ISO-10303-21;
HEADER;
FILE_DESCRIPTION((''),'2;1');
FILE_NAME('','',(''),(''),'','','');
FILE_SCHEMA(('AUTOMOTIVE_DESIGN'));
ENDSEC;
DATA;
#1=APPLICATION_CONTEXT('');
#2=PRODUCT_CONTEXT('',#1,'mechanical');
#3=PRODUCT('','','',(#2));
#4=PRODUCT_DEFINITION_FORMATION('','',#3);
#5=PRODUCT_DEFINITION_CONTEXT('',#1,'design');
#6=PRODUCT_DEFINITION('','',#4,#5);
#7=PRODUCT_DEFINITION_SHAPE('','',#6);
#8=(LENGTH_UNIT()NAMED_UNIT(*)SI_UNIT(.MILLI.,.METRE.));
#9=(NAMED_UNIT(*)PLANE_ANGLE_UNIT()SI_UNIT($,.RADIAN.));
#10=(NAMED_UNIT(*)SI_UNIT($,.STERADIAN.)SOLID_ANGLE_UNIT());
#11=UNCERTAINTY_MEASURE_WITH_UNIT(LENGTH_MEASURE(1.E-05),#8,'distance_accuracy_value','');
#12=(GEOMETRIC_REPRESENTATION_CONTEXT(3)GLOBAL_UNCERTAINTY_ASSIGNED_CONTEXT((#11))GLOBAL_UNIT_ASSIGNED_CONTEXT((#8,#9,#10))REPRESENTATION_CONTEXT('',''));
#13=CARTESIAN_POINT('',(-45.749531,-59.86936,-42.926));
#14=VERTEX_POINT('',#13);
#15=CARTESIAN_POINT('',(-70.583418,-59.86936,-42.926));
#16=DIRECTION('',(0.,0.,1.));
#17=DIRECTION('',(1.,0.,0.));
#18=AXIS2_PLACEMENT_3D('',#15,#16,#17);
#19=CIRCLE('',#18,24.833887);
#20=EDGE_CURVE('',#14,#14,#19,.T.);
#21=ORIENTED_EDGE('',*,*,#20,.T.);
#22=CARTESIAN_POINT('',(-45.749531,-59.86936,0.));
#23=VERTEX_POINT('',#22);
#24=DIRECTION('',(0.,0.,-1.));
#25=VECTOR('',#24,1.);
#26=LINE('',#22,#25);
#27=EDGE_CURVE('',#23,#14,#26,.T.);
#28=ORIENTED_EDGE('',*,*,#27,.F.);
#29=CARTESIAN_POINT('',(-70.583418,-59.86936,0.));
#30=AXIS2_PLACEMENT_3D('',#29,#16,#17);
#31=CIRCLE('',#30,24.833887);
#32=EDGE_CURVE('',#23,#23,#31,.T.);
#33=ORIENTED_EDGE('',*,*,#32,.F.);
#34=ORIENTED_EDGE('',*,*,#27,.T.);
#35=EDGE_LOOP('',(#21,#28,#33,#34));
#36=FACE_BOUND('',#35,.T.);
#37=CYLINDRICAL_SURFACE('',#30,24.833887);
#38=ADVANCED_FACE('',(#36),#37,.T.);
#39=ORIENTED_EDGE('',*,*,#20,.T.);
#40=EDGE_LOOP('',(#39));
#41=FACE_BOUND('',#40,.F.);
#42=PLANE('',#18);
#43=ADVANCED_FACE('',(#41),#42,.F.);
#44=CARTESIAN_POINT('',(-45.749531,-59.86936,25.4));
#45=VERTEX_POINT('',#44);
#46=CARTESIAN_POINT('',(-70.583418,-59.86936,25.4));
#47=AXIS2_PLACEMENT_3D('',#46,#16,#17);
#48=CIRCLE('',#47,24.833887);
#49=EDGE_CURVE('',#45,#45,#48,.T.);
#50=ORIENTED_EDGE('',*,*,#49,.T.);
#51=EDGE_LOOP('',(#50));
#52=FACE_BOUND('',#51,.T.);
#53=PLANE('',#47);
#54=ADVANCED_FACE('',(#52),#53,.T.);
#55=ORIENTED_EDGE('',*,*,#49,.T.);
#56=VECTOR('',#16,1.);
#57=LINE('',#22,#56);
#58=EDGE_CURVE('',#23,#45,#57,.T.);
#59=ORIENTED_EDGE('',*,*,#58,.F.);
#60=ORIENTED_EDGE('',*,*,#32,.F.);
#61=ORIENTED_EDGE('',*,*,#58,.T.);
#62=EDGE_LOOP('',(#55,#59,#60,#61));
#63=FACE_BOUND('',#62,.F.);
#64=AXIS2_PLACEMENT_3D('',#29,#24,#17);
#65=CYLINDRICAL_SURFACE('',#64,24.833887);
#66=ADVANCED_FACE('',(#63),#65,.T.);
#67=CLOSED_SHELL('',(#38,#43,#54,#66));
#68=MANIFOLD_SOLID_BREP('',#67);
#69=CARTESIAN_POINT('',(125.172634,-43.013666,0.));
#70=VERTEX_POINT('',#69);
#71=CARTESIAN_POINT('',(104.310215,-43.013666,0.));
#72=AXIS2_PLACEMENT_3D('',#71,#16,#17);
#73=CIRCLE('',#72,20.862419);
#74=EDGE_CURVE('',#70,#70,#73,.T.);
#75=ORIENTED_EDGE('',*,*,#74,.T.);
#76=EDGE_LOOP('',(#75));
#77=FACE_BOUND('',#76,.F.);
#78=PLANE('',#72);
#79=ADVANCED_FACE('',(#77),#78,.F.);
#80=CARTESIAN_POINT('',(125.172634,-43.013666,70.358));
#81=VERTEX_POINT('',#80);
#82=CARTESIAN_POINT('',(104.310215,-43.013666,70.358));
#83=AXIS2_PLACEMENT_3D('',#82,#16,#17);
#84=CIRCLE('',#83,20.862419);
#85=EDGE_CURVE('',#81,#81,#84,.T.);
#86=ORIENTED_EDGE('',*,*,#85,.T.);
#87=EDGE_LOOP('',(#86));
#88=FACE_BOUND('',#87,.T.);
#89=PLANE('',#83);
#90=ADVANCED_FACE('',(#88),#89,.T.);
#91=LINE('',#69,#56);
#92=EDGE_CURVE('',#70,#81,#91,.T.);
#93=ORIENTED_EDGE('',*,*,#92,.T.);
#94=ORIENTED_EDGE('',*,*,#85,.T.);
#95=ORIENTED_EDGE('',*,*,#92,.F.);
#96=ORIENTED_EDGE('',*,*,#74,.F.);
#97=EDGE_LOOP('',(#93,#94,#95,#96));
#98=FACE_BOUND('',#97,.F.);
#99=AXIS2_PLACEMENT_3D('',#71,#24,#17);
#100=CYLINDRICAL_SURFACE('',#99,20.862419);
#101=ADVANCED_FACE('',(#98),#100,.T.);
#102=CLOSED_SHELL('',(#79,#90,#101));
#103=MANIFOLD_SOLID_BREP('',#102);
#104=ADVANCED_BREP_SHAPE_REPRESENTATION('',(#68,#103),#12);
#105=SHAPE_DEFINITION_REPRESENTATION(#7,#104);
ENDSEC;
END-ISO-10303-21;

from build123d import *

# Parameters (mm, degrees)
F0_R      = 20.862419
F1_DEPTH  = 70.358
F2_R      = 24.833887
F3_DEPTH  = 42.926
F3_FACE_R = 24.833887
F4_DEPTH  = 25.4


with BuildPart() as f1:
    # F0 (on Top) → F1 (new body)
    with BuildSketch(Plane.XY):
        with Locations((104.310215, -43.013666)):
            Circle(F0_R)
    extrude(amount=F1_DEPTH)


with BuildPart() as f3:
    # F2 (on Top) → F3 (new body)
    with BuildSketch(Plane.XY):
        with Locations((-70.583418, -59.86936)):
            Circle(F2_R)
    extrude(amount=-F3_DEPTH)

    # F3_face (on face) → F4 (join)
    with BuildSketch(Plane(origin=(-70.583418, -59.86936, 0), x_dir=(1, 0, 0), z_dir=(0, 0, 1))):
        Circle(F3_FACE_R)
    extrude(amount=F4_DEPTH)


solid = Compound([f1.part, f3.part])
